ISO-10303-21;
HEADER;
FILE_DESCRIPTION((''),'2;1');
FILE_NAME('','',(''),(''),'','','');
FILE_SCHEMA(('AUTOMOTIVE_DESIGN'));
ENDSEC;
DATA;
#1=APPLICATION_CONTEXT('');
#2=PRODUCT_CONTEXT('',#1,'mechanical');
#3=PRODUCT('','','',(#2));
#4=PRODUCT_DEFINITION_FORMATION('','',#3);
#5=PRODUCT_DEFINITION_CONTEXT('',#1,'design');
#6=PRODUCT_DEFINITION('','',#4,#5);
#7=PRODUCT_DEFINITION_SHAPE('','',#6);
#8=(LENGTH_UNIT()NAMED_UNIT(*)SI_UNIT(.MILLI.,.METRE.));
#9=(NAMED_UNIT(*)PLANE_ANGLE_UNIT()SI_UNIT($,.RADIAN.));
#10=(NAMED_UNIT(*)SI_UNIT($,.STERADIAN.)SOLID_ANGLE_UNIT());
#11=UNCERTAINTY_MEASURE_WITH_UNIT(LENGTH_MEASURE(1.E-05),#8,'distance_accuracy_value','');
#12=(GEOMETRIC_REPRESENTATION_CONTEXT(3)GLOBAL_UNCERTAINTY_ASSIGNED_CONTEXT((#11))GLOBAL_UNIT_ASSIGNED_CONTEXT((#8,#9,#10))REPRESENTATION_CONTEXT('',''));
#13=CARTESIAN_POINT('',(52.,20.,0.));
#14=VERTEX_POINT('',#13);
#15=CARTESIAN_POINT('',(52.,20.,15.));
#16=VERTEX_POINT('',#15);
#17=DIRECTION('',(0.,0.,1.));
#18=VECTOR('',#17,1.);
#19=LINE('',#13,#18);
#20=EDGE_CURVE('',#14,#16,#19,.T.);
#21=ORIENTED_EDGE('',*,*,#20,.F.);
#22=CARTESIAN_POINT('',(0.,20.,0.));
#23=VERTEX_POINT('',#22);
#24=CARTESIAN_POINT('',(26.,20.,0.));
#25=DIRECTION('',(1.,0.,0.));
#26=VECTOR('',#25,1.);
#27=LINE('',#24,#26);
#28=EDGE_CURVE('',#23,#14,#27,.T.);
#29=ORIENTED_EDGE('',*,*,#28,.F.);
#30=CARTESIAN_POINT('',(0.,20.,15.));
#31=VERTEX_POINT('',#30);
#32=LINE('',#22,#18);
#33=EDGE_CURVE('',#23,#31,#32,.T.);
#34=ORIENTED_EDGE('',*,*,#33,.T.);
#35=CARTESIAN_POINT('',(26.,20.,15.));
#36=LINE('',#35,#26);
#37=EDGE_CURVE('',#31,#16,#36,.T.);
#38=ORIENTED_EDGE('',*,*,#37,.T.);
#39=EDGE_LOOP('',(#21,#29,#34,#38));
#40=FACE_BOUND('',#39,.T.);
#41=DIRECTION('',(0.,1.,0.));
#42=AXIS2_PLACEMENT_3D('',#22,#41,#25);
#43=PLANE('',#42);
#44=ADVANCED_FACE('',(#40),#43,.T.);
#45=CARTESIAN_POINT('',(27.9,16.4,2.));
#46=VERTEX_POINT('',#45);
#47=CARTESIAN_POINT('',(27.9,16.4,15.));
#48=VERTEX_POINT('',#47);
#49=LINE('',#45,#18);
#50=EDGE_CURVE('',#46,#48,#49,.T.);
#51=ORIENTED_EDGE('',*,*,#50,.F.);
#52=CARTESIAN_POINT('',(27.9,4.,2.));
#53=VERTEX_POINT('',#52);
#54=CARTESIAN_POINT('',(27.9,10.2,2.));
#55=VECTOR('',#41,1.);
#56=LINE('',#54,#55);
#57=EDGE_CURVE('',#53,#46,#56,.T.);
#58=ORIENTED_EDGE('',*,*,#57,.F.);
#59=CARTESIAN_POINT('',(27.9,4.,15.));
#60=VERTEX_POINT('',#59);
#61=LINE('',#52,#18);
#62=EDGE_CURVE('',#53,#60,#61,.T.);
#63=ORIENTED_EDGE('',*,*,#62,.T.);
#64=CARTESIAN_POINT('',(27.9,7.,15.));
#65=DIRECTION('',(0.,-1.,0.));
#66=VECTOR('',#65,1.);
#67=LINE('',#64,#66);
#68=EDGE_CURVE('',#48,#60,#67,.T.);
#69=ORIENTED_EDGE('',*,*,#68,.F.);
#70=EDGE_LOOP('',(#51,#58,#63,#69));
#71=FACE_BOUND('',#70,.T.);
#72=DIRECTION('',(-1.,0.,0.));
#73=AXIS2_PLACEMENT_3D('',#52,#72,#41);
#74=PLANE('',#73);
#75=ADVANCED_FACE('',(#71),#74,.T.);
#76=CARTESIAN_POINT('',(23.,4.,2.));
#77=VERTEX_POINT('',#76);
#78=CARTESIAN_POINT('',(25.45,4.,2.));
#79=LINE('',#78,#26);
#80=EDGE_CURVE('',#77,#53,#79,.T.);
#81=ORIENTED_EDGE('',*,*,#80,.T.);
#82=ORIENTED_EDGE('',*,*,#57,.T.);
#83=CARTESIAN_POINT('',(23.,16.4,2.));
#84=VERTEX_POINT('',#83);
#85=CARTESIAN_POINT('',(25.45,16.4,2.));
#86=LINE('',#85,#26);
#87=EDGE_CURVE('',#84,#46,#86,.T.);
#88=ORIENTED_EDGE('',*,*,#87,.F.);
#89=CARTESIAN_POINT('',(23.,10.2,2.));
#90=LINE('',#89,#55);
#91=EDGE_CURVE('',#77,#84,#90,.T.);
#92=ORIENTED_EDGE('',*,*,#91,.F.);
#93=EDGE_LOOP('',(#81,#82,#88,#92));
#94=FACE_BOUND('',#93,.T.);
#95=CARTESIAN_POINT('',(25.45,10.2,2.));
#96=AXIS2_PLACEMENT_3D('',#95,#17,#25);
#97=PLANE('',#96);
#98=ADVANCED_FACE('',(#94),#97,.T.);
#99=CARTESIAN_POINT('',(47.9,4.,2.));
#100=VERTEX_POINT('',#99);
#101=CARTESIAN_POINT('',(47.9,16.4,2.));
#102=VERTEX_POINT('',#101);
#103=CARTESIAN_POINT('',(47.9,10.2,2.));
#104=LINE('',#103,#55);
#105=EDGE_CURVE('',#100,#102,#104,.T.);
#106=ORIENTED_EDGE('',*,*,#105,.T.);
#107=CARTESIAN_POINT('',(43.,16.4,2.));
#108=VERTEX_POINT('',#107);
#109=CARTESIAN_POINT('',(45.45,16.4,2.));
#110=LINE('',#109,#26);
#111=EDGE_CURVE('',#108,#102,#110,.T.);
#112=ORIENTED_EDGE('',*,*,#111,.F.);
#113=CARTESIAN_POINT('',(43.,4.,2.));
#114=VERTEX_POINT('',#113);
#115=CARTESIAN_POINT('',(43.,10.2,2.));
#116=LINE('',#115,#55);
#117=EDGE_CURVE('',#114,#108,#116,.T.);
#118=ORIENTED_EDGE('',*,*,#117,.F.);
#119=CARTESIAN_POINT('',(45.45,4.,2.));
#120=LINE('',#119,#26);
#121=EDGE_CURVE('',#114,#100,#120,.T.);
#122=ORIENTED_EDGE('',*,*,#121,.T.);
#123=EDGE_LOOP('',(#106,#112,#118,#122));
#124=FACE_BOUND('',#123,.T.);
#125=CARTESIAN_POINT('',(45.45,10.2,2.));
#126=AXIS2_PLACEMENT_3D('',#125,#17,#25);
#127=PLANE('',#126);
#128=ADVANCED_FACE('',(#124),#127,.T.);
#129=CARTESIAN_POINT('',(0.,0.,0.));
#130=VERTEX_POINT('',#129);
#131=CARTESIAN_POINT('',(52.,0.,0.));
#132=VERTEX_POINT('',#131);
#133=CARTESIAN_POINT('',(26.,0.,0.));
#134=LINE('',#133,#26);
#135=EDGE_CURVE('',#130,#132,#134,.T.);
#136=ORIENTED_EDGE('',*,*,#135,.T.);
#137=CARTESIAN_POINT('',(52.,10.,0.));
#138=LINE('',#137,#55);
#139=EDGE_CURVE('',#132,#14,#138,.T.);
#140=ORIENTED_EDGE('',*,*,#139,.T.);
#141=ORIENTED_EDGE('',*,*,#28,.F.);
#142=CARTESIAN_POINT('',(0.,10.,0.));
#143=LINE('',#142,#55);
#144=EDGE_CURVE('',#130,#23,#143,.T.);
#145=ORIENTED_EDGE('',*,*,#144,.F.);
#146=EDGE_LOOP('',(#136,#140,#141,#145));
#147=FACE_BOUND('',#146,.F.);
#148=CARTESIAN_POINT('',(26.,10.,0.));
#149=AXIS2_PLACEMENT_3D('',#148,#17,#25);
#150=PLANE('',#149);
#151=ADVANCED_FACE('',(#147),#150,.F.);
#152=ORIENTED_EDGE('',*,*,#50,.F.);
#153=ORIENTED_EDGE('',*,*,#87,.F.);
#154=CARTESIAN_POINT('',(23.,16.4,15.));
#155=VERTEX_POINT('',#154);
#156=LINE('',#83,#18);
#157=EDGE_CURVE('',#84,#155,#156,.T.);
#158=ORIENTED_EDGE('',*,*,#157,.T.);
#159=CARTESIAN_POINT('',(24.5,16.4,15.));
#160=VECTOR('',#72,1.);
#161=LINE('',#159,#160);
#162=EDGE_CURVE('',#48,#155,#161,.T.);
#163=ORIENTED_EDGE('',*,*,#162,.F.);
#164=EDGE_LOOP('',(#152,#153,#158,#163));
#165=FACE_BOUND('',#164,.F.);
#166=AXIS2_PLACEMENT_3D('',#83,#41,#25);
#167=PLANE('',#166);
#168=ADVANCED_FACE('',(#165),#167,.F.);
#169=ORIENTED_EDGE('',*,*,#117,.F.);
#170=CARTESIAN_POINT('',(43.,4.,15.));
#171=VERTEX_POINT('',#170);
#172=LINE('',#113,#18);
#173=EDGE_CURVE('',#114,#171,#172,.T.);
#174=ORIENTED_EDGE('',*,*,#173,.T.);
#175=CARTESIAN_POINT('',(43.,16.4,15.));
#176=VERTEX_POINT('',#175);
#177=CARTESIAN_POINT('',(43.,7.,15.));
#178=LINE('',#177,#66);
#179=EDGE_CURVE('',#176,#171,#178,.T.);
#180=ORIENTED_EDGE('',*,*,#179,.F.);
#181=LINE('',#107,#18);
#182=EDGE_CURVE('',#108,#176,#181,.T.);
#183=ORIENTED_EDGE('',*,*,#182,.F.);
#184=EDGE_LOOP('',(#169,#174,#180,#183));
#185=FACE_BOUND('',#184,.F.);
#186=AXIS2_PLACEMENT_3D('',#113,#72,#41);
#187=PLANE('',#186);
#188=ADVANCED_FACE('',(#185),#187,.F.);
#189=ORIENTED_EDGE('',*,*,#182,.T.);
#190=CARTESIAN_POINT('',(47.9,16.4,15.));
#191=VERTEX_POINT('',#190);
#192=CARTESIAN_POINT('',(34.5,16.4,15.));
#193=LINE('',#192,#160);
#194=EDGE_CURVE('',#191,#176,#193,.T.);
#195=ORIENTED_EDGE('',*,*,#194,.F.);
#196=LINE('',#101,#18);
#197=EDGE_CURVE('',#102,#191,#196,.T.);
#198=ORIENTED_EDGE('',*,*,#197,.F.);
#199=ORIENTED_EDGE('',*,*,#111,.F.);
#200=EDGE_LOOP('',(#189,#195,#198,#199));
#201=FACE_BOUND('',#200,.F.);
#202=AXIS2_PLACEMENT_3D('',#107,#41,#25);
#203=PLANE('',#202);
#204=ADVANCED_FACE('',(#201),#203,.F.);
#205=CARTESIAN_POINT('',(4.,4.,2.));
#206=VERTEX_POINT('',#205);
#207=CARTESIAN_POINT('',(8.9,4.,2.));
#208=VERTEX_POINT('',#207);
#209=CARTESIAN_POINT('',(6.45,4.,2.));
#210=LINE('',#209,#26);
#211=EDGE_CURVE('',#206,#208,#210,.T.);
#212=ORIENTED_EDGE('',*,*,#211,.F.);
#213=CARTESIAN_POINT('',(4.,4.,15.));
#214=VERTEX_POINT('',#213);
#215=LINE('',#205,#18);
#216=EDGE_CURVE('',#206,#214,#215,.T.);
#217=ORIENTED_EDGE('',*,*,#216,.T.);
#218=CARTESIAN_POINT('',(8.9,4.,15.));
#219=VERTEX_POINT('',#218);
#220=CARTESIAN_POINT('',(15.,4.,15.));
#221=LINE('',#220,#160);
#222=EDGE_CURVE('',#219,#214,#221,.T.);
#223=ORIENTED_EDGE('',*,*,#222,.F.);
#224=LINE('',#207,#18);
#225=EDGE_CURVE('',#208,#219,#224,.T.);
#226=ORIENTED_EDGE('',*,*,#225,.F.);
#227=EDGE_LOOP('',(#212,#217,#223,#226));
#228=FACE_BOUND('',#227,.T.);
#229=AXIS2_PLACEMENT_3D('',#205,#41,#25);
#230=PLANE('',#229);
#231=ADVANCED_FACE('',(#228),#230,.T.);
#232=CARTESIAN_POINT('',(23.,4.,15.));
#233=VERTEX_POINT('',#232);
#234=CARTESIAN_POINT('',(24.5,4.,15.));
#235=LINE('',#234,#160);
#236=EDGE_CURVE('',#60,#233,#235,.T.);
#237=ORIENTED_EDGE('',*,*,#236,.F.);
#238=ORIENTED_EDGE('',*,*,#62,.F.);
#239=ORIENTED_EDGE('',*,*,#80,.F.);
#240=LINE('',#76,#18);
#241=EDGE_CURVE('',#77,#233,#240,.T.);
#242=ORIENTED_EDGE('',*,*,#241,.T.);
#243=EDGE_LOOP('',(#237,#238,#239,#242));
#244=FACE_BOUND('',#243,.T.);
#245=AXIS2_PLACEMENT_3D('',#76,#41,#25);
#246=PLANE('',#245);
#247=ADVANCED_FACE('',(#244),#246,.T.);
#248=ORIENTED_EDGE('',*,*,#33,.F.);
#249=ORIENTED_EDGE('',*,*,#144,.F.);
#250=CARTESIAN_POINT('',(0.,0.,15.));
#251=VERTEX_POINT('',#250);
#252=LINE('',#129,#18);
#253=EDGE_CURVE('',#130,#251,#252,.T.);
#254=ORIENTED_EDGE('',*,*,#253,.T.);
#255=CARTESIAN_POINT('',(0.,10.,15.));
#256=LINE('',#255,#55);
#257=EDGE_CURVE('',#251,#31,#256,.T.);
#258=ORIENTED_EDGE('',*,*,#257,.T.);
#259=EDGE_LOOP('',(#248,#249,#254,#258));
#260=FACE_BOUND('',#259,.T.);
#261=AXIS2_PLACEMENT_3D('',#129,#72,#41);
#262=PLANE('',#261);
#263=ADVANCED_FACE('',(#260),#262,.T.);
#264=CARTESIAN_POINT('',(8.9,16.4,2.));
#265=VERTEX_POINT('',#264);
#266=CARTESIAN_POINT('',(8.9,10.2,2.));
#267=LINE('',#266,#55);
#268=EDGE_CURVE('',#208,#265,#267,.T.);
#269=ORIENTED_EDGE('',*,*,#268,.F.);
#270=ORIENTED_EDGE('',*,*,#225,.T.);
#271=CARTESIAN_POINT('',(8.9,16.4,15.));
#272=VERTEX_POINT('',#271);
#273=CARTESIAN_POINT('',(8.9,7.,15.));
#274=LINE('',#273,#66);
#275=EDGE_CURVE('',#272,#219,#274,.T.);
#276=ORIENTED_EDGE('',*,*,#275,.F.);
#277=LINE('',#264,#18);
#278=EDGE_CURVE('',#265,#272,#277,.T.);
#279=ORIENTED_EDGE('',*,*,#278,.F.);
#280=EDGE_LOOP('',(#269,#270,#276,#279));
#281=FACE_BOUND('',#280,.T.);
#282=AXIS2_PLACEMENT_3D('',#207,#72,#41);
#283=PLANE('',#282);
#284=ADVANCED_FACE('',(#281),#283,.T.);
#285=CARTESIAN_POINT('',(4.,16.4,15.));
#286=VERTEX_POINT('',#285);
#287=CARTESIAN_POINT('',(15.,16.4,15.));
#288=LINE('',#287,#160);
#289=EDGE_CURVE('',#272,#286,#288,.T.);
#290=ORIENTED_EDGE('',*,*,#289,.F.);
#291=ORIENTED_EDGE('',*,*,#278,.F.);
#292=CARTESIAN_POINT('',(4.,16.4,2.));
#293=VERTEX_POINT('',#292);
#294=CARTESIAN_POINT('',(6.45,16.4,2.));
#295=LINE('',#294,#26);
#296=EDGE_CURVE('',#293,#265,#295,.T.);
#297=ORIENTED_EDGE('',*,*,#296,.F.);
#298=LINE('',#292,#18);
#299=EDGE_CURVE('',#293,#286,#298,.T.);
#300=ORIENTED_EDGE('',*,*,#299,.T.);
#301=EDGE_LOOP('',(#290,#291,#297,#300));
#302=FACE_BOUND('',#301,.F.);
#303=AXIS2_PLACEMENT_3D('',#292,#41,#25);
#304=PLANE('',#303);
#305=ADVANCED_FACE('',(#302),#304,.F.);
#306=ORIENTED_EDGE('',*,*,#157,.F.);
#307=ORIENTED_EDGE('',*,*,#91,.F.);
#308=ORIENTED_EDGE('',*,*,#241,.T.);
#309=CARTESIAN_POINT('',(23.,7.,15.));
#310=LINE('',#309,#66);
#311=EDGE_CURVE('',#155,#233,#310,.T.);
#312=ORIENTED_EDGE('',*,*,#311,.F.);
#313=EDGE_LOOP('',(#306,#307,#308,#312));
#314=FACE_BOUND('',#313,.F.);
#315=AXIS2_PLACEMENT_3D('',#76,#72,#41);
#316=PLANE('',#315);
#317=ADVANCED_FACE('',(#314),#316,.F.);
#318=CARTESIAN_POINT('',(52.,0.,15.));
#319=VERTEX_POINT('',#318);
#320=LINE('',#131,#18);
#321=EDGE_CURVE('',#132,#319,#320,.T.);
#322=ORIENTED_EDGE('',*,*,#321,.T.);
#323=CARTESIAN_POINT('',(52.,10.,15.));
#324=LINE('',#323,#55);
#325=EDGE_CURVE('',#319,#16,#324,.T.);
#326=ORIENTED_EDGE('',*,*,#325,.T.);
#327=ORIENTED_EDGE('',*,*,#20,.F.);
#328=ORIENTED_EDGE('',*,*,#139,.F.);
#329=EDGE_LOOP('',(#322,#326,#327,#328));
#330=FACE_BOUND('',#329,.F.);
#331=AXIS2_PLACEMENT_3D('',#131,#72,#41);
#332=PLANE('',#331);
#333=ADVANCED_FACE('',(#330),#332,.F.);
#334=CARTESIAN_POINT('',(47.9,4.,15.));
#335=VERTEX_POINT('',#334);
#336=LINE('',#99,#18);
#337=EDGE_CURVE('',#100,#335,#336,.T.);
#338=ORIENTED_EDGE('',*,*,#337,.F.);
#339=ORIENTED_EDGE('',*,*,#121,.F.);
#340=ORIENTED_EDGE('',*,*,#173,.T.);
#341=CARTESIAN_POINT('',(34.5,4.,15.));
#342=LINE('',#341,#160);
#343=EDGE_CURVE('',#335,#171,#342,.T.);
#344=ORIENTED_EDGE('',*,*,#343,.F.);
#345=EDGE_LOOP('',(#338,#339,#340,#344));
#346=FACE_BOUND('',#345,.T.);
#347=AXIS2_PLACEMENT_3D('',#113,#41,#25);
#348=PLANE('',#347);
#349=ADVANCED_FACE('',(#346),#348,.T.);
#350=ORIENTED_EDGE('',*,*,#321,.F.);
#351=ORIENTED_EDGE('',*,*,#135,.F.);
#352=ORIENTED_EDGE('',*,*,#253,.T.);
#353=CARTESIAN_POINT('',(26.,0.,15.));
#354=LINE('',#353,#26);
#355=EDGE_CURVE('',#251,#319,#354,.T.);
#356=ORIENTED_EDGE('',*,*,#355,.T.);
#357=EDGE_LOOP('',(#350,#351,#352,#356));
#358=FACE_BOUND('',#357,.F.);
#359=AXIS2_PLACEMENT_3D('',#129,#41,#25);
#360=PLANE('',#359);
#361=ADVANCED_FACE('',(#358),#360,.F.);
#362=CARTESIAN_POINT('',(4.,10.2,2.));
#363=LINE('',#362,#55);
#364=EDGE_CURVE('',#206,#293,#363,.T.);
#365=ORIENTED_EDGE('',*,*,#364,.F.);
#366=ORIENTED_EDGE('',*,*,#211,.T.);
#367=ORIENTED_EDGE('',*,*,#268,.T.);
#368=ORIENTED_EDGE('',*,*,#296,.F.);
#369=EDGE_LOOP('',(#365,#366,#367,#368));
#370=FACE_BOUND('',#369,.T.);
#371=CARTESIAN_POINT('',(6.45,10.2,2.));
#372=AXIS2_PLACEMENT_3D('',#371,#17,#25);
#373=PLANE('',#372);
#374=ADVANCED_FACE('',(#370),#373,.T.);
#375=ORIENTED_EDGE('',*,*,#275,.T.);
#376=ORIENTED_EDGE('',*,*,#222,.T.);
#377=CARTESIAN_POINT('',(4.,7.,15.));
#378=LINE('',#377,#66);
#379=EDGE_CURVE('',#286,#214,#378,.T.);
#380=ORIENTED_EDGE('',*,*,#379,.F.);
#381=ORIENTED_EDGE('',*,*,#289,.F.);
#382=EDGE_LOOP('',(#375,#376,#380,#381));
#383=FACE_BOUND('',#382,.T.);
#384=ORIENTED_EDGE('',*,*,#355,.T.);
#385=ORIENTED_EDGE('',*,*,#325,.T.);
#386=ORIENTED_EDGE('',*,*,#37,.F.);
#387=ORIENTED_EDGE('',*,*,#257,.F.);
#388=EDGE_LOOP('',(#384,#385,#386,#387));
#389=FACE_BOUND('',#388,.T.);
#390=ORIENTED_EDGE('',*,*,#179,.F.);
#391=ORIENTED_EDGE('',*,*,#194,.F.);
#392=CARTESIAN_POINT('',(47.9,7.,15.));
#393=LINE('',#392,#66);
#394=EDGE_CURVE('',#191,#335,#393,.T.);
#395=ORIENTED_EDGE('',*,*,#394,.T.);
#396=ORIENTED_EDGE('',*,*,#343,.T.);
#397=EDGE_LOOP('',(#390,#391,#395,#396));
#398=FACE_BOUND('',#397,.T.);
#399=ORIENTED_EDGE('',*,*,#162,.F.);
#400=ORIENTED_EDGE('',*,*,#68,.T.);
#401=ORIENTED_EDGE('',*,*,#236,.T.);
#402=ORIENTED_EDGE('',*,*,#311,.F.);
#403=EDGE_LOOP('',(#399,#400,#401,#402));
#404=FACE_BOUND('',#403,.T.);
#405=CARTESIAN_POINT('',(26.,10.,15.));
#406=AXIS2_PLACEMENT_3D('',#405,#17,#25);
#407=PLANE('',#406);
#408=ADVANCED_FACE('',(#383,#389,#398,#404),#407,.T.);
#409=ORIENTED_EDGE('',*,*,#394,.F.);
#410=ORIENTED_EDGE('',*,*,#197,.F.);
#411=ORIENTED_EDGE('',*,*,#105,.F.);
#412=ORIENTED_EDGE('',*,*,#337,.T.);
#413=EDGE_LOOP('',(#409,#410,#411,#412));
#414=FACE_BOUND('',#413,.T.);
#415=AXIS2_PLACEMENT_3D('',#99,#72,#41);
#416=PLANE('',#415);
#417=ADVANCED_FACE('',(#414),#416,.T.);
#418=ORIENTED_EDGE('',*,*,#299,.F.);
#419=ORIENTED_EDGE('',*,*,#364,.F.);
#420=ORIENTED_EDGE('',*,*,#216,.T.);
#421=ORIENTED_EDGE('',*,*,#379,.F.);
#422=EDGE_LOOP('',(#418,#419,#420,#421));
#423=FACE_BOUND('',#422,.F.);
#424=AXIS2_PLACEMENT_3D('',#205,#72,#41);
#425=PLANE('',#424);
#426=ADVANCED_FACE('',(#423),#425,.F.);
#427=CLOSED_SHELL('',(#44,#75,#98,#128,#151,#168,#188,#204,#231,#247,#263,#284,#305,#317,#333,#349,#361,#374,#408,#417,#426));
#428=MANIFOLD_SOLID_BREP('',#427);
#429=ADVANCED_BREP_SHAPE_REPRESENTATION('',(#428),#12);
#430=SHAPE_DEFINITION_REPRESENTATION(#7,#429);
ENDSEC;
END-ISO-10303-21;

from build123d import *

# Parameters (mm, degrees)
BOX003_W     = 4.9
BOX003_H     = 12.4
BOX003_DEPTH = 25
BOX002_W     = 4.9
BOX002_H     = 12.4
BOX002_DEPTH = 25
BOX001_W     = 4.9
BOX001_H     = 12.4
BOX001_DEPTH = 25
BOX_W        = 52
BOX_H        = 20
BOX_DEPTH    = 15


with BuildPart() as box003:
    # Box003 → Box003 (new body)
    with BuildSketch(Plane(origin=(23, 4, 2), x_dir=(1, 0, 0), z_dir=(0, 0, 1))):
        with Locations((2.45, 6.2)):
            Rectangle(BOX003_W, BOX003_H)
    extrude(amount=BOX003_DEPTH)


with BuildPart() as box002:
    # Box002 → Box002 (new body)
    with BuildSketch(Plane(origin=(43, 4, 2), x_dir=(1, 0, 0), z_dir=(0, 0, 1))):
        with Locations((2.45, 6.2)):
            Rectangle(BOX002_W, BOX002_H)
    extrude(amount=BOX002_DEPTH)


with BuildPart() as box001:
    # Box001 → Box001 (new body)
    with BuildSketch(Plane(origin=(4, 4, 2), x_dir=(1, 0, 0), z_dir=(0, 0, 1))):
        with Locations((2.45, 6.2)):
            Rectangle(BOX001_W, BOX001_H)
    extrude(amount=BOX001_DEPTH)


with BuildPart() as cut002:
    # Box → Box (new body)
    with BuildSketch(Plane.XY):
        with Locations((26, 10)):
            Rectangle(BOX_W, BOX_H)
    extrude(amount=BOX_DEPTH)

    # Cut: cut Box001
    add(box001.part, mode=Mode.SUBTRACT)

    # Cut001: cut Box002
    add(box002.part, mode=Mode.SUBTRACT)

    # Cut002: cut Box003
    add(box003.part, mode=Mode.SUBTRACT)


solid = cut002.part
